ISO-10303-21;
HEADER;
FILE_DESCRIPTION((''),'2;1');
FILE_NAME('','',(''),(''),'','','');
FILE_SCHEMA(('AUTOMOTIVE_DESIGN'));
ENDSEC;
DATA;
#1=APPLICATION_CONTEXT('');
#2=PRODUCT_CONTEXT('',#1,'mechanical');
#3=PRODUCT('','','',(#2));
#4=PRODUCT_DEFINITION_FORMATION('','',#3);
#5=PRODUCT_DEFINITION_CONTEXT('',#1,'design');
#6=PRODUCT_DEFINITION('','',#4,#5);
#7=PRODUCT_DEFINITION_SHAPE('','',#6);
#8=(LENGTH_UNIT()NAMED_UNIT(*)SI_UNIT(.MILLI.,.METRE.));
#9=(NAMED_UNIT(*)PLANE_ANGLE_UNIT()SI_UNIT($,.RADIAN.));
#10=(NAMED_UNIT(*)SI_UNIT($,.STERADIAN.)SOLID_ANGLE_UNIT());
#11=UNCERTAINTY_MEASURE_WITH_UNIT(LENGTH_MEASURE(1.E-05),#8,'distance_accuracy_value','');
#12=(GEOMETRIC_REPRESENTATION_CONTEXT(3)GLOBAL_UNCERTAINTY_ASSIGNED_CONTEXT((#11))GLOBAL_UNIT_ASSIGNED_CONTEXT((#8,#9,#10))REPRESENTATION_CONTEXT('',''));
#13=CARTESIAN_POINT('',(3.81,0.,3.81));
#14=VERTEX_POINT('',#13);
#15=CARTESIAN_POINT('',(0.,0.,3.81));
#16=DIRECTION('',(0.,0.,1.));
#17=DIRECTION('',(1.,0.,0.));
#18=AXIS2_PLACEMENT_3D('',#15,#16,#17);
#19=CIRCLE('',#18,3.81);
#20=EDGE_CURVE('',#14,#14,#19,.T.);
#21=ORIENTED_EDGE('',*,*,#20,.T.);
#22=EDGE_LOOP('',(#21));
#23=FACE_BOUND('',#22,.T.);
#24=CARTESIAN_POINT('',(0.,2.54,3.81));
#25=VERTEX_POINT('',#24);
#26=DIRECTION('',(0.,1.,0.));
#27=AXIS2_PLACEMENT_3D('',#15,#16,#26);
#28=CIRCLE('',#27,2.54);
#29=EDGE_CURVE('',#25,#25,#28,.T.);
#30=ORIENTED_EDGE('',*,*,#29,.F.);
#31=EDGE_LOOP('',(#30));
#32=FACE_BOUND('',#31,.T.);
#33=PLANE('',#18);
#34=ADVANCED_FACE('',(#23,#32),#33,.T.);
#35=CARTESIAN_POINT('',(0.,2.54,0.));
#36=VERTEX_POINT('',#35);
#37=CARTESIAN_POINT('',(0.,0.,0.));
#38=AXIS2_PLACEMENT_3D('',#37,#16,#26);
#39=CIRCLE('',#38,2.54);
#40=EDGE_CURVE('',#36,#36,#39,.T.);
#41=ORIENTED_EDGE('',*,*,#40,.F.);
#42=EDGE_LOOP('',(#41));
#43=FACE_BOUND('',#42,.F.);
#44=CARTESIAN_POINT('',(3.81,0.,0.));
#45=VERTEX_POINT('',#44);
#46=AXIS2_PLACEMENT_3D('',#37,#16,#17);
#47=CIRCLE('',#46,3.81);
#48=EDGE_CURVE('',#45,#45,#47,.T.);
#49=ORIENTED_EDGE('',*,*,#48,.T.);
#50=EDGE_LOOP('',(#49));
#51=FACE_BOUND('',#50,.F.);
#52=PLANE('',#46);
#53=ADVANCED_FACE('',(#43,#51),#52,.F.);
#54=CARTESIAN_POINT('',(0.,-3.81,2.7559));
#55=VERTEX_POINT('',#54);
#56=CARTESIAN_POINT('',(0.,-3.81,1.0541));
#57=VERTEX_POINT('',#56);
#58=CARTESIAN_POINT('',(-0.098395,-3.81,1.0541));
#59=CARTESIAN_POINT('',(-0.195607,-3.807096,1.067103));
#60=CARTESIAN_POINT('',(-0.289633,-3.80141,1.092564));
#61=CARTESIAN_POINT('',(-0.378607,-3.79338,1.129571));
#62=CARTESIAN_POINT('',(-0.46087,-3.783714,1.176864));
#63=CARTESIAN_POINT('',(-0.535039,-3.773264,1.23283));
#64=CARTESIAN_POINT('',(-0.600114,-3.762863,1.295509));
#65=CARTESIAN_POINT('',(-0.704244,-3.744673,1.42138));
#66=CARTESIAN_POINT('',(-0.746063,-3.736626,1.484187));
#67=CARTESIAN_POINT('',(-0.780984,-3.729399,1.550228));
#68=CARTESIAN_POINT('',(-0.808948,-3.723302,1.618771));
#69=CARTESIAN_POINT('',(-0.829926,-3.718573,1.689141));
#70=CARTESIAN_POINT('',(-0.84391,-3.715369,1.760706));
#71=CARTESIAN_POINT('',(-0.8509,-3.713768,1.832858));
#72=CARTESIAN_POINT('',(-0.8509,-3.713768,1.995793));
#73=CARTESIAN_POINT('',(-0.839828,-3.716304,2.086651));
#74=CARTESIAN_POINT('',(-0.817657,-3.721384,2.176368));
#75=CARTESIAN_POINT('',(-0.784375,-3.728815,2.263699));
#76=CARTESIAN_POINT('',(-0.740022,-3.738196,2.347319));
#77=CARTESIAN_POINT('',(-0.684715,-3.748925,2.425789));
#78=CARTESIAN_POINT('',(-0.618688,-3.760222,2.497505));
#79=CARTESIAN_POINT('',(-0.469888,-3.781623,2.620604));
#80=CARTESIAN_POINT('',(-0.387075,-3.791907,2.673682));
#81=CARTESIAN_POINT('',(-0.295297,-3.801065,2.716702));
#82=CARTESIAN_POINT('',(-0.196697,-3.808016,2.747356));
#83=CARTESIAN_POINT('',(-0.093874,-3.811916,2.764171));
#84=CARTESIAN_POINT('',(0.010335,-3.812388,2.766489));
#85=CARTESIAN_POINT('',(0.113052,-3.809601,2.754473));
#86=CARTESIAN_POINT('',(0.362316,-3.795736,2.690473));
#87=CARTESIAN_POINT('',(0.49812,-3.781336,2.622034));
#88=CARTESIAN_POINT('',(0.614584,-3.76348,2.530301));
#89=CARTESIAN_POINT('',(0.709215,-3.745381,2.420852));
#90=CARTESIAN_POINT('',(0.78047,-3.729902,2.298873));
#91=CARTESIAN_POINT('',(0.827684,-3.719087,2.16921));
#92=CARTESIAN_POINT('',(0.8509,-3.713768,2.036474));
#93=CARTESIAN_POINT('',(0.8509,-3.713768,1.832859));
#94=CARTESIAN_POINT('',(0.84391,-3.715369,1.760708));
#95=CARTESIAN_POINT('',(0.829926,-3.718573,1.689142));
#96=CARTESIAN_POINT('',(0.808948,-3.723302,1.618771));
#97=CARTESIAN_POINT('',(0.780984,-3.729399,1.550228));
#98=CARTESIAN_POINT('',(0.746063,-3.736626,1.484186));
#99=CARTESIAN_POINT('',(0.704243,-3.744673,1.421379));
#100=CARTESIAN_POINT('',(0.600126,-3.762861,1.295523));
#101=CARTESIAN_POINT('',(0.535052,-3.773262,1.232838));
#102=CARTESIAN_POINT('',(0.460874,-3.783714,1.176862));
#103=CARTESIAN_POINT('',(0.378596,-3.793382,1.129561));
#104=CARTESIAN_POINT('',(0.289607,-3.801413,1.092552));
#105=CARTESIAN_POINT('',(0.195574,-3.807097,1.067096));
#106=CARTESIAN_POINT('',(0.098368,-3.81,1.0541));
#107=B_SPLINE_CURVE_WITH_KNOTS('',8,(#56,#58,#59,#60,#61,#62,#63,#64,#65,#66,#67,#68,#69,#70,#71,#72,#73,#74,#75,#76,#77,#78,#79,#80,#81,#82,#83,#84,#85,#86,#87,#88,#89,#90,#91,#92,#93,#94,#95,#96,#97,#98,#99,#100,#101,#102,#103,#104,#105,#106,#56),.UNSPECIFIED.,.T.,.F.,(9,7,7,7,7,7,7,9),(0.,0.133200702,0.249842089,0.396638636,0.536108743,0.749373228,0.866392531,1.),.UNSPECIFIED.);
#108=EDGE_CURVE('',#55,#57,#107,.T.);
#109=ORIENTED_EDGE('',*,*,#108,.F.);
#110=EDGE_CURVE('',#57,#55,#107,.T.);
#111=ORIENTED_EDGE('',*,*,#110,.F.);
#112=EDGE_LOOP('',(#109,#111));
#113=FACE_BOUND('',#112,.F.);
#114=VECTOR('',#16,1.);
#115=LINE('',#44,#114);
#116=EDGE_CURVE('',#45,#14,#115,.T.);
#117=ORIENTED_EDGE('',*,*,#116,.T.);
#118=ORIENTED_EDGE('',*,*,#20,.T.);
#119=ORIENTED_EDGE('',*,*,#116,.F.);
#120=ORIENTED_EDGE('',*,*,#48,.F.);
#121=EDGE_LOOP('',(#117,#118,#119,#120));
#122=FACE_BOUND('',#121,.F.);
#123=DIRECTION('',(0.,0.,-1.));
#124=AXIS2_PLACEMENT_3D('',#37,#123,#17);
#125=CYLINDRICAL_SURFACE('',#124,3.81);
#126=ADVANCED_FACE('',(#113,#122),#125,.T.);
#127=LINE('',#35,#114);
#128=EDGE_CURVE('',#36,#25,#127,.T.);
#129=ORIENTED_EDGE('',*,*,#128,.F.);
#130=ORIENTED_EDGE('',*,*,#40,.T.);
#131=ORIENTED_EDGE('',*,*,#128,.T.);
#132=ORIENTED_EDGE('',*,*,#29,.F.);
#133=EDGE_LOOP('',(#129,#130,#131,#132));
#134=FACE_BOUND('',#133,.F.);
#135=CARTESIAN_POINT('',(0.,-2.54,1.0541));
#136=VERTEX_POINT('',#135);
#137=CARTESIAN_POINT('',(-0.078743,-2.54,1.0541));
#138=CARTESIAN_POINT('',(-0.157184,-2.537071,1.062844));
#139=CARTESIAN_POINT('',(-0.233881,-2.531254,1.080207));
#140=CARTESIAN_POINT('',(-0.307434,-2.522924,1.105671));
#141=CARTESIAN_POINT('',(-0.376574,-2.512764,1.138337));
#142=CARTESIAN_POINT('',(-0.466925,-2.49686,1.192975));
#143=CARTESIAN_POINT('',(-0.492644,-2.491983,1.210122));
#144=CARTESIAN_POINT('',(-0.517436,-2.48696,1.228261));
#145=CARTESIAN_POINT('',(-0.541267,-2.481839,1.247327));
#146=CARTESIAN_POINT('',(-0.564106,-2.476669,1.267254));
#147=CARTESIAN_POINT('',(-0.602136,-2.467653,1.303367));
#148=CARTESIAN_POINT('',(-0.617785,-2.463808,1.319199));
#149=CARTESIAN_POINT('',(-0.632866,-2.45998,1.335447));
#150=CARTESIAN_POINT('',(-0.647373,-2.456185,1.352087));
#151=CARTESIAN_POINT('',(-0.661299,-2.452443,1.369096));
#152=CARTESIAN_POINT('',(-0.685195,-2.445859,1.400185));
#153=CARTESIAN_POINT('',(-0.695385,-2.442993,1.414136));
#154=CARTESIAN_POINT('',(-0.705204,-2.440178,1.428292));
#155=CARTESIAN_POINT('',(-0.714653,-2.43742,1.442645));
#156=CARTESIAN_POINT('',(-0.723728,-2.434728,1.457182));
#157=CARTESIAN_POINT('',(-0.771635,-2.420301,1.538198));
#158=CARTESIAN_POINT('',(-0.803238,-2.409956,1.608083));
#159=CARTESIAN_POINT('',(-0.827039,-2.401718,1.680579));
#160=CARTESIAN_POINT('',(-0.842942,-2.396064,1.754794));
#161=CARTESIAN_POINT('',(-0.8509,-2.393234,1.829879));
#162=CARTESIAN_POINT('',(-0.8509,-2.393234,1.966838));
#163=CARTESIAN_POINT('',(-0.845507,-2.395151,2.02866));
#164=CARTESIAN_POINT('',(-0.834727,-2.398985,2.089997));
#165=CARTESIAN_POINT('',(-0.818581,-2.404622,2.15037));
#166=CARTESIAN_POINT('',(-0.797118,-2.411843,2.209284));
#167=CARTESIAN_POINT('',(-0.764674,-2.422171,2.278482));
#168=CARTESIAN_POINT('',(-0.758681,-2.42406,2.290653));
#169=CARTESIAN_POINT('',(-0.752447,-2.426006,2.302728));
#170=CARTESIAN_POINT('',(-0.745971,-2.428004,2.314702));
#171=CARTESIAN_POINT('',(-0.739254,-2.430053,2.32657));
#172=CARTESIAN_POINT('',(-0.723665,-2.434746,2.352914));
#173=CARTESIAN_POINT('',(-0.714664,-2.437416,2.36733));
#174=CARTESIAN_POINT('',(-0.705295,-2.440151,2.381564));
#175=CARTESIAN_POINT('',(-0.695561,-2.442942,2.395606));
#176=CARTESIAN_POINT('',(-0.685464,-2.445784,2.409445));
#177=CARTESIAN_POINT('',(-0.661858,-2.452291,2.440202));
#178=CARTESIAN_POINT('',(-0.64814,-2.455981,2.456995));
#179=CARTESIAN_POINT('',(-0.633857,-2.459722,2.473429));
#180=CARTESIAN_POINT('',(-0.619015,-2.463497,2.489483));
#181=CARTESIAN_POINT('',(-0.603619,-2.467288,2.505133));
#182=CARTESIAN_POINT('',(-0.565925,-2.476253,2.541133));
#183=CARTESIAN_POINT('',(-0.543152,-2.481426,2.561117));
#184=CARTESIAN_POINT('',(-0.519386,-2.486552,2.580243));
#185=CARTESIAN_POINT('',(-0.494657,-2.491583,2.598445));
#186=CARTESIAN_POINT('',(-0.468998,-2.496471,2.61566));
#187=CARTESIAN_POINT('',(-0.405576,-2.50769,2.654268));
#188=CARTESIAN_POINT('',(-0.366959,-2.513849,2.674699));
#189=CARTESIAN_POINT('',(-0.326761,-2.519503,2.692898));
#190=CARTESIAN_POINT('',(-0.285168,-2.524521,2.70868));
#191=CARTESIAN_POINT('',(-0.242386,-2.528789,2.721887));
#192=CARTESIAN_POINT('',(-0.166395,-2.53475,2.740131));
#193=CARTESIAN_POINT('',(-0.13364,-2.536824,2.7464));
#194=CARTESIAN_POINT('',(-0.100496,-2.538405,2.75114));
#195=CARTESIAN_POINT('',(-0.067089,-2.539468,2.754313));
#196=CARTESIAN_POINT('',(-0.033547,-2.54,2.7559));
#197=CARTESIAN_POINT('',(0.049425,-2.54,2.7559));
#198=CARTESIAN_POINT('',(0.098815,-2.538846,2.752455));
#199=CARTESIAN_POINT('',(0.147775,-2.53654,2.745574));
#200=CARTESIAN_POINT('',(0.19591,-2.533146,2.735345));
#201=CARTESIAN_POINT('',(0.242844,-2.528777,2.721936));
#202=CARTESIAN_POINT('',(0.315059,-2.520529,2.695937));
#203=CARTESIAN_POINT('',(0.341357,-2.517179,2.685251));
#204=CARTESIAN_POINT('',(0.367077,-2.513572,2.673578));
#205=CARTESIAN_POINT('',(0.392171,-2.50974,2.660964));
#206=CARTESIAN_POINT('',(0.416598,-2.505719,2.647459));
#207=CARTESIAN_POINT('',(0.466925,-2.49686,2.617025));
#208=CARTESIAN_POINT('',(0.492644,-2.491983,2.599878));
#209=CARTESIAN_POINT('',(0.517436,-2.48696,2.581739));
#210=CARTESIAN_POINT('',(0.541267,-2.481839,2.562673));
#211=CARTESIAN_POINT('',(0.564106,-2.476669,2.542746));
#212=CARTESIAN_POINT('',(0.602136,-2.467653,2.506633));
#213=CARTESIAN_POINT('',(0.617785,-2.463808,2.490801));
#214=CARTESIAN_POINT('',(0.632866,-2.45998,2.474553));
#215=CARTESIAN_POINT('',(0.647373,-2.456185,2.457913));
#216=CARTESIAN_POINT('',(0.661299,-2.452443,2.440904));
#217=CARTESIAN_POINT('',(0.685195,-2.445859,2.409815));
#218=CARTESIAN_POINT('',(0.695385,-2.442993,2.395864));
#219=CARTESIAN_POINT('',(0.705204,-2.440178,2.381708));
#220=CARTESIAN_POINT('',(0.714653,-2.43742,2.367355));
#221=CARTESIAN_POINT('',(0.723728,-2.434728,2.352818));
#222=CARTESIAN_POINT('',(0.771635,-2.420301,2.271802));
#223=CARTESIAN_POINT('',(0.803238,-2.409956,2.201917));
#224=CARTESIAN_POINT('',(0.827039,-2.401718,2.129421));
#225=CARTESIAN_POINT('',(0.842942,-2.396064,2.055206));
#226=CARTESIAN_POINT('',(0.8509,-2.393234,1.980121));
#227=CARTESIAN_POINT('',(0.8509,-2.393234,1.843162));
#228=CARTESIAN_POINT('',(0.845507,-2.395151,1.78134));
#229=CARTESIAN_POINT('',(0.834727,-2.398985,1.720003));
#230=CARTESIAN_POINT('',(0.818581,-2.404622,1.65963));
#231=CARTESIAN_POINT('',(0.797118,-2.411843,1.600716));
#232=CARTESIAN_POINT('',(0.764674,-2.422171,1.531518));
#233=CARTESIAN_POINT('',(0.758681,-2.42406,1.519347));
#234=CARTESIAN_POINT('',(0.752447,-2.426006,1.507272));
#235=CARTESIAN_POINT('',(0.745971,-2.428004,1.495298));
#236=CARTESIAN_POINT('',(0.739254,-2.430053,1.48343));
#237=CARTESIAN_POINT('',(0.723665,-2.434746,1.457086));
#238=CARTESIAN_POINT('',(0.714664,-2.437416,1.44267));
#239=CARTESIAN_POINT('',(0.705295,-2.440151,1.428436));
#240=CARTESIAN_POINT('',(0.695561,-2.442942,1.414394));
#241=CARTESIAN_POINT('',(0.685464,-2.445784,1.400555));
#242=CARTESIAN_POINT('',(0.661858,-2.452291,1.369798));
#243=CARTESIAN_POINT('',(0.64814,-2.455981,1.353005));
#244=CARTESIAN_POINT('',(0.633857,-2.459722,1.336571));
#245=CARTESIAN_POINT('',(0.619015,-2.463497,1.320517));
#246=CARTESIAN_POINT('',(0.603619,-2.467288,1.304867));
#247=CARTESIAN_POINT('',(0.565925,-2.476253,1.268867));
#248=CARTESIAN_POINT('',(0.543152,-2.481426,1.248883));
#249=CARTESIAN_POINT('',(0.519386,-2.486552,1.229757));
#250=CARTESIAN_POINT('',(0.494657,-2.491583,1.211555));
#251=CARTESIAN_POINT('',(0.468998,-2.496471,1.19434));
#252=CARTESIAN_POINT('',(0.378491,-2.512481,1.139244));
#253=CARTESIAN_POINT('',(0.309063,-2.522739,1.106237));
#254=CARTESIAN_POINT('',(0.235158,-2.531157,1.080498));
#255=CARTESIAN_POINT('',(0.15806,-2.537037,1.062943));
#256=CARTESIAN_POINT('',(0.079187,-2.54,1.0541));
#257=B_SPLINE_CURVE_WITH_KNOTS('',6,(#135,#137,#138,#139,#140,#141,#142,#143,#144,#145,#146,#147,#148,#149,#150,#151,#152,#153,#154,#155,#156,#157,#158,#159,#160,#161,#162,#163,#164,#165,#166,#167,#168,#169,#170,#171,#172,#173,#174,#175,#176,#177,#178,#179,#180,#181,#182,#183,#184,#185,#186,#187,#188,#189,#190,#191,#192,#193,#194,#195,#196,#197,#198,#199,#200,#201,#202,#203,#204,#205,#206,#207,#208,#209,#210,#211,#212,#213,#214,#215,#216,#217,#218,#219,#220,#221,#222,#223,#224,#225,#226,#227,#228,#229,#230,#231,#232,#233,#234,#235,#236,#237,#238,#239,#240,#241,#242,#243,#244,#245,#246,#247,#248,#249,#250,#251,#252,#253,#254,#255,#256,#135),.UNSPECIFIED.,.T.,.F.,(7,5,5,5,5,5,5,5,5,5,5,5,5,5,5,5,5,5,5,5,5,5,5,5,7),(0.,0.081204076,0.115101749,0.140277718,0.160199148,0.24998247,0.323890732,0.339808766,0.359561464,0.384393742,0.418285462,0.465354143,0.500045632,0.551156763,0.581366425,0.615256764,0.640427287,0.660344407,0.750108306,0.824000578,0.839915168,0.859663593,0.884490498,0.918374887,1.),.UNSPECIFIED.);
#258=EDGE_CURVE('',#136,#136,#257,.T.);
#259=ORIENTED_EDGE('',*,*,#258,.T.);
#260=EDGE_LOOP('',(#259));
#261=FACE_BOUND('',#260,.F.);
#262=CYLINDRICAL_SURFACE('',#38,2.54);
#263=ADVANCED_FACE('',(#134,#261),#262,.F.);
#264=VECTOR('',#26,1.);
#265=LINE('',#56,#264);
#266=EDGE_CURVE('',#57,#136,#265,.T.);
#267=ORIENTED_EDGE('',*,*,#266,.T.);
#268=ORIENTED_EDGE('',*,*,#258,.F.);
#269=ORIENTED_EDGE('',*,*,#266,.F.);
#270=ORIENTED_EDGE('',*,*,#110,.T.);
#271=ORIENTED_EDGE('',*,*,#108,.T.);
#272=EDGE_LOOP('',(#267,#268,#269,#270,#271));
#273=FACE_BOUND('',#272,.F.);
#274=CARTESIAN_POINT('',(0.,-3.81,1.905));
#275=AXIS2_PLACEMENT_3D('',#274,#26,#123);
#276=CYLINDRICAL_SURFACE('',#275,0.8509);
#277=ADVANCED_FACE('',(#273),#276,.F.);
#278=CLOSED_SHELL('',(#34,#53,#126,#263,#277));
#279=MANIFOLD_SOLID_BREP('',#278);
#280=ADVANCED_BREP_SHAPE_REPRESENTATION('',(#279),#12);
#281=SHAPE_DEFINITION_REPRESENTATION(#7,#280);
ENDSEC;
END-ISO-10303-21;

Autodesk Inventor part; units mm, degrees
ref_plane "YZ Plane" through (0, 0, 0) normal (1, 0, 0) x (0, 1, 0)
ref_plane "XY Plane" through (0, 0, 0) normal (0, 0, 1) x (1, 0, 0)
sketch "Sketch1" plane through (0, 0, 0) normal (0, 0, 1) x (1, 0, 0)
  circle A0 centre (0, 0) radius 3.81
  dimension "d0" = 7.62
extrude "Extrusion1" add sketch "Sketch1" along normal blind 3.81
hole "Hole1" at (0, 0, 0) direction (0, 0, 1) diameter 5.08 end through all
ref_plane "Work Plane1" through (0, 0, 3.81) normal (0, 0, -1) x (-1, 0, 0)
ref_plane "Work Plane2" through (0, -3.81, 0) normal (0, -1, 0) x (1, 0, 0)
sketch "Sketch2" plane through (0, -3.81, 0) normal (0, -1, 0) x (1, 0, 0)
  point P0 (0, 0)
sketch "Sketch3" plane through (0, -3.81, 0) normal (0, -1, 0) x (1, 0, 0)
  line L0 (-3.81, 3.81) -> (3.81, 3.81) projected
  line L1 (-3.81, 0) -> (3.81, 0) projected
  line L2 (0, -0.762) -> (0, 4.572) projected
  line L3 (0, 3.81) -> (0, 0)
  point P0 (0, 1.905)
  dimension "d15" = 1.905
hole "Hole2" at (0, -3.81, 1.905) direction (0, 1, 0) diameter 1.7018 depth 3.81
equation "\"d12\" = -d1"
equation "\"d1\" = 3.81"
properties part number "Jig_Aligner_Sleeve"
